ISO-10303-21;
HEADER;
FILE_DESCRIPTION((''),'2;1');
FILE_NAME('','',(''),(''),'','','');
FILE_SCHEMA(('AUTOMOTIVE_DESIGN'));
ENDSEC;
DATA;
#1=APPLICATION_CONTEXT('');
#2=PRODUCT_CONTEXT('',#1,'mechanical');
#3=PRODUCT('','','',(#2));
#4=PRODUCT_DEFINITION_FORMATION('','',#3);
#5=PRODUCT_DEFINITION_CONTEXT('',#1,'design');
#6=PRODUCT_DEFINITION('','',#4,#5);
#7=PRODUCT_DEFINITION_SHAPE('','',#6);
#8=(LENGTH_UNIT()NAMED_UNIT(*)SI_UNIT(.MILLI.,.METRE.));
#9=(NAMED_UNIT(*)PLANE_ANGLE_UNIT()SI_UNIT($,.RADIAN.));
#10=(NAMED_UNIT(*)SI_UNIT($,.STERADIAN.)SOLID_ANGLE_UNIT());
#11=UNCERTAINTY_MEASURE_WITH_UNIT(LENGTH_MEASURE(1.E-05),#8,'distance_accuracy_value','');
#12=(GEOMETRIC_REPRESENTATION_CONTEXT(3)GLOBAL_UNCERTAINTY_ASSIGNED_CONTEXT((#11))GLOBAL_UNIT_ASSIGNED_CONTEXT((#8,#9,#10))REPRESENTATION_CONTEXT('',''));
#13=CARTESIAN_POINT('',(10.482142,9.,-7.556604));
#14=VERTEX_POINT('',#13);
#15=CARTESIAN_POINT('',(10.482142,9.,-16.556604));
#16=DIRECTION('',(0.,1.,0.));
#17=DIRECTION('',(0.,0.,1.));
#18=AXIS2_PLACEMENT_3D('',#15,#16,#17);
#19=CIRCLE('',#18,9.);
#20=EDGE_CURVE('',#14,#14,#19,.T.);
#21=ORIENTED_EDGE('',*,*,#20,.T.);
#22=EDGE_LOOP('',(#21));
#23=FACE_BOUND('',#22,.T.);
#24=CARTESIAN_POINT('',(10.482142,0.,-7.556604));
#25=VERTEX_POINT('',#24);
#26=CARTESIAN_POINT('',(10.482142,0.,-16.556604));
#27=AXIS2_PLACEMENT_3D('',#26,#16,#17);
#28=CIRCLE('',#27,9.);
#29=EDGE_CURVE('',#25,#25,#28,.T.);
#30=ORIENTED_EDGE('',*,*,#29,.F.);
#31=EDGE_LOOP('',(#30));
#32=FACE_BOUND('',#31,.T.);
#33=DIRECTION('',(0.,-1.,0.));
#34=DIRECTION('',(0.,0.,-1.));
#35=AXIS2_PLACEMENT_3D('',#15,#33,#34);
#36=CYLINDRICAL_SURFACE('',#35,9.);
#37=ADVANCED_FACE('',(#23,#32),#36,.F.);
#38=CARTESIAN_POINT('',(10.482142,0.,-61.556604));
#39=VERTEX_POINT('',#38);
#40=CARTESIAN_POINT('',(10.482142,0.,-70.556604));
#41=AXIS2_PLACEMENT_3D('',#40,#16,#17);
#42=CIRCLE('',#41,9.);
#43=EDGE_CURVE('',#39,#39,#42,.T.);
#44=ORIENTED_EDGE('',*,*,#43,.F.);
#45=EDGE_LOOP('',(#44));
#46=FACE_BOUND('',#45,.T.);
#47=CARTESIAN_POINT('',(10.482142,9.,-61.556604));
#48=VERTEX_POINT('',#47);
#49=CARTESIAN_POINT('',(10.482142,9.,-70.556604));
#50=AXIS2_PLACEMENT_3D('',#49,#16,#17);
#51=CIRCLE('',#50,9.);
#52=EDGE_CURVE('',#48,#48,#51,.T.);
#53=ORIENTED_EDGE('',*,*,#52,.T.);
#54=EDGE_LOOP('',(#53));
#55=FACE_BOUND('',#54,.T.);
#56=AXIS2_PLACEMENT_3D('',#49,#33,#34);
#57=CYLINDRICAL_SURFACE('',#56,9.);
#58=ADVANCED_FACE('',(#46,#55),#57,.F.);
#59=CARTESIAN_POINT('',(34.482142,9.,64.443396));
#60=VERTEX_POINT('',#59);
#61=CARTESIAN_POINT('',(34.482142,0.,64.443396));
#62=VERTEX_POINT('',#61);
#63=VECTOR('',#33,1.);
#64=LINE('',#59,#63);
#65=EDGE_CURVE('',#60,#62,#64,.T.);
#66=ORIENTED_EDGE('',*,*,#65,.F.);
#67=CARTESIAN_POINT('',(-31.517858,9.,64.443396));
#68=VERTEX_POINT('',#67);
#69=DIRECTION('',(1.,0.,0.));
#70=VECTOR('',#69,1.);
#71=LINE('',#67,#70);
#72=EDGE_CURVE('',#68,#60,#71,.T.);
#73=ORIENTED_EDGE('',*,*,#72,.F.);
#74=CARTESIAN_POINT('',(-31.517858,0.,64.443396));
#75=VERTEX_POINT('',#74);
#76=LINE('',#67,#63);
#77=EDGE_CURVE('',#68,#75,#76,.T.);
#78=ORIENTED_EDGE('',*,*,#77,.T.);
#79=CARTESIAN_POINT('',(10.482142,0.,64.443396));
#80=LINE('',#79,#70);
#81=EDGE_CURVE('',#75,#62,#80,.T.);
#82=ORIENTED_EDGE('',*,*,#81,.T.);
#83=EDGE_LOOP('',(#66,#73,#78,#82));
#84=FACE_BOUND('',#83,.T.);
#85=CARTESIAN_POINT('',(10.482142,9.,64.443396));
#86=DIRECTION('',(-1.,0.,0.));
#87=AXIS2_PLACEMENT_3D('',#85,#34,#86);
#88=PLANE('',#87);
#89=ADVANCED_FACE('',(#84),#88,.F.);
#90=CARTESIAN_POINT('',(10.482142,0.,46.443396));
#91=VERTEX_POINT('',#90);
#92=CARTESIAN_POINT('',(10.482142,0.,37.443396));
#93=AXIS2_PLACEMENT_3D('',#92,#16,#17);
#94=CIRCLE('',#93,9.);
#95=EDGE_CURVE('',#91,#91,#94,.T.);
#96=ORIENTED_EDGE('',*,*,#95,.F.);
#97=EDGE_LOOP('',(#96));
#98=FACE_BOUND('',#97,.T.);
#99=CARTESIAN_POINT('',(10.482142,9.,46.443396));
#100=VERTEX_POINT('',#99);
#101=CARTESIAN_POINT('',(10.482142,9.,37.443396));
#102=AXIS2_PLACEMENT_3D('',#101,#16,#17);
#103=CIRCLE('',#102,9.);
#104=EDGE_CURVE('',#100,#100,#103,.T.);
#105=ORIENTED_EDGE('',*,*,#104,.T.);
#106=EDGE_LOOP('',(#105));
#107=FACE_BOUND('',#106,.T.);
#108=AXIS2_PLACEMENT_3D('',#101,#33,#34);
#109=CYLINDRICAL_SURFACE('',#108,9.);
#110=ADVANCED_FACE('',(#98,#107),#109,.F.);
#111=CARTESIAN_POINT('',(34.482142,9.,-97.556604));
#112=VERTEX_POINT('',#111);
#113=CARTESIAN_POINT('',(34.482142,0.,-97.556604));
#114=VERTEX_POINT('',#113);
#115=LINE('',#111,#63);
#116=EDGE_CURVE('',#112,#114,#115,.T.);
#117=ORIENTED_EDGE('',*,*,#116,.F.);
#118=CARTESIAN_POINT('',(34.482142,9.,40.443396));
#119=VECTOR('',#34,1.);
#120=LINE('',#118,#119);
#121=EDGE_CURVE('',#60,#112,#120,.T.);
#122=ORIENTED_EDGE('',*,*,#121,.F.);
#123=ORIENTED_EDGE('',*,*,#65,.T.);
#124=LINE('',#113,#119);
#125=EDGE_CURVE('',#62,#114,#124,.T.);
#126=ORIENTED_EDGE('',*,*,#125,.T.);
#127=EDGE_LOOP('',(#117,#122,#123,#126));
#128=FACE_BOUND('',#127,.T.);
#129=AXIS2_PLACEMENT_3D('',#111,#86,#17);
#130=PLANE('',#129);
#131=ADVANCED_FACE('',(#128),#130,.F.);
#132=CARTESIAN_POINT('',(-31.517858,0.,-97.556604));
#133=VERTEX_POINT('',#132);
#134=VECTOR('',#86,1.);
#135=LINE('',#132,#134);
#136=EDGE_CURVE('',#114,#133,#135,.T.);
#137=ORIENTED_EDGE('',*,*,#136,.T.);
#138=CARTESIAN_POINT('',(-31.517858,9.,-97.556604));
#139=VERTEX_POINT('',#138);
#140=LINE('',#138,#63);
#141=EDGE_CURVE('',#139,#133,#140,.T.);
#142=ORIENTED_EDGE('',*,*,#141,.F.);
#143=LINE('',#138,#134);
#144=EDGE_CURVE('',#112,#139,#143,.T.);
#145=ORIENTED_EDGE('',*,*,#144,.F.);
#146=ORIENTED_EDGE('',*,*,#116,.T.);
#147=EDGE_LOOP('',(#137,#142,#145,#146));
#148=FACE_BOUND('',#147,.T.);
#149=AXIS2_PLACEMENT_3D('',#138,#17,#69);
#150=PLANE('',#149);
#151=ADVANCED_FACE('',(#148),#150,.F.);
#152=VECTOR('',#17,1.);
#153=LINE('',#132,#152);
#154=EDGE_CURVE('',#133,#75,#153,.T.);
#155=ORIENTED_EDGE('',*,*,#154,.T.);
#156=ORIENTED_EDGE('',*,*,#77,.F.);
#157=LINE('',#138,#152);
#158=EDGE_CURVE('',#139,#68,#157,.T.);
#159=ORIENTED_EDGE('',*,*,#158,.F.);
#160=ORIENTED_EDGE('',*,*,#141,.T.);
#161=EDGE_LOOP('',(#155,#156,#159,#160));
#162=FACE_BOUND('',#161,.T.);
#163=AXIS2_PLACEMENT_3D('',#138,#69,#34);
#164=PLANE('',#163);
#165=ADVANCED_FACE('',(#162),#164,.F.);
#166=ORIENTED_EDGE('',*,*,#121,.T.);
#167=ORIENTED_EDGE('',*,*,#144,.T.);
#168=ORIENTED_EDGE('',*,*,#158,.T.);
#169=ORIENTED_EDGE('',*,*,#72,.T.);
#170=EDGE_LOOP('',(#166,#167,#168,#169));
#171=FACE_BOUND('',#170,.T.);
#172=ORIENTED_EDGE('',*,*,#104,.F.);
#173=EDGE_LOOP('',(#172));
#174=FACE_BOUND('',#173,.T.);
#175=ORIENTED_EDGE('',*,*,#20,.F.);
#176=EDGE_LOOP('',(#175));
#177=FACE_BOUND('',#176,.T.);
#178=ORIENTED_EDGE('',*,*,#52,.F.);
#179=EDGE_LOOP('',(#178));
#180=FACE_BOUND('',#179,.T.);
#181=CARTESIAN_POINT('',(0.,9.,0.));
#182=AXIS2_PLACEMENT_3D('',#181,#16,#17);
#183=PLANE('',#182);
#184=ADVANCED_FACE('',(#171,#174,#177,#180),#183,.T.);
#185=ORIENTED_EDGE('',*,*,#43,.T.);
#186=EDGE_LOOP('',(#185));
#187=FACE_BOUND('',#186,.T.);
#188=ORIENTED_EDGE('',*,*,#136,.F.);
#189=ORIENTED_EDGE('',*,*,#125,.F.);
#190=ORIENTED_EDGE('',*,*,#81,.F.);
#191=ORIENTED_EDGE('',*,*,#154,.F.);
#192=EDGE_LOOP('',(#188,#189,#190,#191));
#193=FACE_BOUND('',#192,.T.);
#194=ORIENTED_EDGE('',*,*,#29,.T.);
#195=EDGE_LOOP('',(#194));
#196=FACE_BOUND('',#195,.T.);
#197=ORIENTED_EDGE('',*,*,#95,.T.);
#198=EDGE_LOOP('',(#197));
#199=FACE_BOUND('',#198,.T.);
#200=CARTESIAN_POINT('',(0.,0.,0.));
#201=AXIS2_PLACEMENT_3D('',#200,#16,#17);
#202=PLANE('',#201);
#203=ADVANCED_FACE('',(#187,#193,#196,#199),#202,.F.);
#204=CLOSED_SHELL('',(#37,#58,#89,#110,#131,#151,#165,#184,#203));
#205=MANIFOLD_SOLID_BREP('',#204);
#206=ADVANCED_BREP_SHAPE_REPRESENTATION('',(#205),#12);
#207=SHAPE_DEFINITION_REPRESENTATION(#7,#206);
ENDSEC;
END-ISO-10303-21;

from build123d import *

# Parameters (mm, degrees)
SKETCH1_R           = 9
BOSS_EXTRUDE1_DEPTH = 9


with BuildPart() as part:
    # Sketch1 → Boss-Extrude1 (new body)
    with BuildSketch(Plane(origin=(0, 0, 0), x_dir=(1, 0, 0), z_dir=(0, 1, 0))):
        Polygon((-31.51785791, 97.556603774), (34.48214209, 97.556603774), (34.48214209, -40.443396226), (34.48214209, -64.443396226), (10.48214209, -64.443396226), (-31.51785791, -64.443396226), align=None)
        with Locations((10.48214209, -37.443396226)):
            Circle(SKETCH1_R, mode=Mode.SUBTRACT)
        with Locations((10.48214209, 16.556603774)):
            Circle(SKETCH1_R, mode=Mode.SUBTRACT)
        with Locations((10.48214209, 70.556603774)):
            Circle(SKETCH1_R, mode=Mode.SUBTRACT)
    extrude(amount=BOSS_EXTRUDE1_DEPTH)


solid = part.part
